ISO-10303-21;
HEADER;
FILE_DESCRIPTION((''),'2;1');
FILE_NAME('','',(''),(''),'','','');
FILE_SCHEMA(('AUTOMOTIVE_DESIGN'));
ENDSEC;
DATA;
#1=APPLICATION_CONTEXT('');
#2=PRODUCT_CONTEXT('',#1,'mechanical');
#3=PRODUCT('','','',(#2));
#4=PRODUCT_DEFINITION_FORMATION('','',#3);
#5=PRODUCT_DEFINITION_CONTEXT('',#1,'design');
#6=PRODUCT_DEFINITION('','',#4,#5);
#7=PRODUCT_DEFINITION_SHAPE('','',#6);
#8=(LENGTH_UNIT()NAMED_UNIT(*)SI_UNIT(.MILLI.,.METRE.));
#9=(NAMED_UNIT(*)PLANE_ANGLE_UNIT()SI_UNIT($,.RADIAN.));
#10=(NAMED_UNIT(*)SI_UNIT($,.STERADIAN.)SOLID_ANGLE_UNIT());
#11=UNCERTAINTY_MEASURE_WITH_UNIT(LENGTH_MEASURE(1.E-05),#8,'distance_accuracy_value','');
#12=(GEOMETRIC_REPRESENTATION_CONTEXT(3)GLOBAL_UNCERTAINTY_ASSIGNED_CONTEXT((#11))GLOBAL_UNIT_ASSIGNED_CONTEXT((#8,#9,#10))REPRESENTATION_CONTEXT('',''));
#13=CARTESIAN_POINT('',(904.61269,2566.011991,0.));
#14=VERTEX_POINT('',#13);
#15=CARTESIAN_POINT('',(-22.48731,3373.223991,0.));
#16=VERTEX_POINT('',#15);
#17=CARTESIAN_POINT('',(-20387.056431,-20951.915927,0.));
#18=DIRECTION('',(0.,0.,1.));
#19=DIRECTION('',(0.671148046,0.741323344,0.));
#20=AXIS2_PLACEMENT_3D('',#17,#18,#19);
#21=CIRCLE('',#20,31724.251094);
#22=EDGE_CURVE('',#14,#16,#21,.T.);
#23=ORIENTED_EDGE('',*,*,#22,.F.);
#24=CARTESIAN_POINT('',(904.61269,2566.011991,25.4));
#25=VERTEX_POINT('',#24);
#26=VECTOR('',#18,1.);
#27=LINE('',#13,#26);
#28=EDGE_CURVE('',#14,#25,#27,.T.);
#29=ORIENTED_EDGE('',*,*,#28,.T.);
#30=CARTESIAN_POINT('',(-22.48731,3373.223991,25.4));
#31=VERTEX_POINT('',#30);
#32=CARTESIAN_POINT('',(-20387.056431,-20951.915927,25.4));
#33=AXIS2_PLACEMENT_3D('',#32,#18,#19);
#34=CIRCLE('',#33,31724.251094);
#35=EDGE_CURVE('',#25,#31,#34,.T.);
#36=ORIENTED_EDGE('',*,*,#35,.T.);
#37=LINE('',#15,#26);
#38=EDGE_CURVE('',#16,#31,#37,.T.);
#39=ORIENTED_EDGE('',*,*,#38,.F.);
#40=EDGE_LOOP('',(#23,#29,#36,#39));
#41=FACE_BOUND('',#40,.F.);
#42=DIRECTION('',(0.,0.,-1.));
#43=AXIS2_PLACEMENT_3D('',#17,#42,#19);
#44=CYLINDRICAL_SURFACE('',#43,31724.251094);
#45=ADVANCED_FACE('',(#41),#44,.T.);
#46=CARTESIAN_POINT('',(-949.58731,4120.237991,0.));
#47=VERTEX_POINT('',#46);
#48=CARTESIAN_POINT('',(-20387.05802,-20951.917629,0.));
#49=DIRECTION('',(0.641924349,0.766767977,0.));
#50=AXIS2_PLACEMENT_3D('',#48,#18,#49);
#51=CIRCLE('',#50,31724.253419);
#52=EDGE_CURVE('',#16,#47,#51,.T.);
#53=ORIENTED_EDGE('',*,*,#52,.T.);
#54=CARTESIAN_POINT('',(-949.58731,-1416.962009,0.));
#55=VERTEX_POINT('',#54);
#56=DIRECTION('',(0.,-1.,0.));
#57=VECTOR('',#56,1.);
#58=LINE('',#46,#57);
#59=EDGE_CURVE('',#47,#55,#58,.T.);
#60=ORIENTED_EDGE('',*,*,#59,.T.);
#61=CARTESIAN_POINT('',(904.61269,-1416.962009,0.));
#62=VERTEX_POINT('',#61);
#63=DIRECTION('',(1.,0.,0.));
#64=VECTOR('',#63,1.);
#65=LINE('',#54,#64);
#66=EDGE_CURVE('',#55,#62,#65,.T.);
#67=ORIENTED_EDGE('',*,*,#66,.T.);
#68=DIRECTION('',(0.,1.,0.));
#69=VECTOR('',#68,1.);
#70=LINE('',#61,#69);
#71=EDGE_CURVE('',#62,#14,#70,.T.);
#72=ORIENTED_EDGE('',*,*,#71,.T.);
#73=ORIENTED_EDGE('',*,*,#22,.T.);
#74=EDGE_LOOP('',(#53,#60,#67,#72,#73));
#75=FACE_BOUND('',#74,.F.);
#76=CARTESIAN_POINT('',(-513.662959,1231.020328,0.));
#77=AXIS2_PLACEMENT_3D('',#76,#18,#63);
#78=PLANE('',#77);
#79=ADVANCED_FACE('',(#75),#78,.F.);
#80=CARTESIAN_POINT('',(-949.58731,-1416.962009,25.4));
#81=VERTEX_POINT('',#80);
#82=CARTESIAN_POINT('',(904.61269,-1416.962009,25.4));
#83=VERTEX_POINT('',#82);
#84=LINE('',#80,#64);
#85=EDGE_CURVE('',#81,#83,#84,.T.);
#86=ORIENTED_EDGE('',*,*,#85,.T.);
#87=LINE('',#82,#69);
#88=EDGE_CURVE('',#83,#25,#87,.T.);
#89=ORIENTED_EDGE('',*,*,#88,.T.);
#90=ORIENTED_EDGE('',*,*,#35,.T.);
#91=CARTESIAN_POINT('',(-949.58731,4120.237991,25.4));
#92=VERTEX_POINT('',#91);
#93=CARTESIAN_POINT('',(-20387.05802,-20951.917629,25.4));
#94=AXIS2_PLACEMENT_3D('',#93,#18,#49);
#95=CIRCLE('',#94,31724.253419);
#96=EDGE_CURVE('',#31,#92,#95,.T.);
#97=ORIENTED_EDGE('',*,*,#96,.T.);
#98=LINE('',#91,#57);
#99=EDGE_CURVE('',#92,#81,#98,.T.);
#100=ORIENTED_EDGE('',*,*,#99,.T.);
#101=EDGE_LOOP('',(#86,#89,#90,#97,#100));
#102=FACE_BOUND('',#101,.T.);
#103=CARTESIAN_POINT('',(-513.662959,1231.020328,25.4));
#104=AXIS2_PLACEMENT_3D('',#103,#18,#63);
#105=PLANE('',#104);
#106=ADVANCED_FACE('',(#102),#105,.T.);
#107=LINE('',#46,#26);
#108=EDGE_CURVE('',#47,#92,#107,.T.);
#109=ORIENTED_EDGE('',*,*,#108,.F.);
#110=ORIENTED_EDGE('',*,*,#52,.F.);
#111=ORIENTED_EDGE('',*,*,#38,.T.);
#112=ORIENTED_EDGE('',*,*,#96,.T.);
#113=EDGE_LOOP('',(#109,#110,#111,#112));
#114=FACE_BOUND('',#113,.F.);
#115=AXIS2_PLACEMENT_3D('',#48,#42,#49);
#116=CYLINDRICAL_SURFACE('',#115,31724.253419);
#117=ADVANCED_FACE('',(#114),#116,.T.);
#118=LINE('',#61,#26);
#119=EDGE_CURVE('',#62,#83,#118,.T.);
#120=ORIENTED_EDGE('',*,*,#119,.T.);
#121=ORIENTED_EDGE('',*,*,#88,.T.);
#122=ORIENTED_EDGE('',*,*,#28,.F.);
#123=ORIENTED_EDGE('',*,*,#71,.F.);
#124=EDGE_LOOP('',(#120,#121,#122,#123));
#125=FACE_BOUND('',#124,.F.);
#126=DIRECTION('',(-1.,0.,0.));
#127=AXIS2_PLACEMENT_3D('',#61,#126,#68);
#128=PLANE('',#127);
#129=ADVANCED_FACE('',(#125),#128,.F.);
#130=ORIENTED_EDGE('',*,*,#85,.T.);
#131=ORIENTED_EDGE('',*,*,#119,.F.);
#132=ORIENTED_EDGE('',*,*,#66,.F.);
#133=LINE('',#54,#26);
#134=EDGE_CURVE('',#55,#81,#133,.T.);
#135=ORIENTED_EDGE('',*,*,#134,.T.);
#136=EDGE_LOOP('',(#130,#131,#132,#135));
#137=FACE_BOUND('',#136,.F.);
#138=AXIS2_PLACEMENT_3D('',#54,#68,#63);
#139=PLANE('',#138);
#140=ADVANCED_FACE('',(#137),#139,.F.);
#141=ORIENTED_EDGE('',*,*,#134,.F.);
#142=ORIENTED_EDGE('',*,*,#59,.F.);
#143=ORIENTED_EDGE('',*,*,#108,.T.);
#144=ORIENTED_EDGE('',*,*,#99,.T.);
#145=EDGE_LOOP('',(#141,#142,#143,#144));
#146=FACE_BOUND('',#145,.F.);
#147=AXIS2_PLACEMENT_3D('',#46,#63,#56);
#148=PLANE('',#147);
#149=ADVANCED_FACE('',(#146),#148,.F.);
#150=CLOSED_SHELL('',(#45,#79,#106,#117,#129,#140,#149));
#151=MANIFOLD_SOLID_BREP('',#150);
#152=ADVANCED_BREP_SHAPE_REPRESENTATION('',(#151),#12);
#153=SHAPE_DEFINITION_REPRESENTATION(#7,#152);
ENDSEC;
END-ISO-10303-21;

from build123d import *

# Parameters (mm, degrees)
F1_DEPTH = 25.4


with BuildPart() as f1:
    # F0 (on Top) → F1 (new body)
    with BuildSketch(Plane.XY):
        with BuildLine():
            Line((-949.58731, 4120.237991), (-949.58731, -1416.962009))
            Line((-949.58731, -1416.962009), (-22.48731, -1416.962009))
            Line((-22.48731, -1416.962009), (-22.48731, 3373.223991))
            ThreePointArc((-22.48731, 3373.223991), (-482.532585, 3751.080615), (-949.58731, 4120.237991))
        make_face()
        with BuildLine():
            Line((-22.48731, 3373.223991), (-22.48731, -1416.962009))
            Line((-22.48731, -1416.962009), (904.61269, -1416.962009))
            Line((904.61269, -1416.962009), (904.61269, 2566.011991))
            ThreePointArc((904.61269, 2566.011991), (444.972849, 2974.108891), (-22.48731, 3373.223991))
        make_face()
    extrude(amount=F1_DEPTH)


solid = f1.part
